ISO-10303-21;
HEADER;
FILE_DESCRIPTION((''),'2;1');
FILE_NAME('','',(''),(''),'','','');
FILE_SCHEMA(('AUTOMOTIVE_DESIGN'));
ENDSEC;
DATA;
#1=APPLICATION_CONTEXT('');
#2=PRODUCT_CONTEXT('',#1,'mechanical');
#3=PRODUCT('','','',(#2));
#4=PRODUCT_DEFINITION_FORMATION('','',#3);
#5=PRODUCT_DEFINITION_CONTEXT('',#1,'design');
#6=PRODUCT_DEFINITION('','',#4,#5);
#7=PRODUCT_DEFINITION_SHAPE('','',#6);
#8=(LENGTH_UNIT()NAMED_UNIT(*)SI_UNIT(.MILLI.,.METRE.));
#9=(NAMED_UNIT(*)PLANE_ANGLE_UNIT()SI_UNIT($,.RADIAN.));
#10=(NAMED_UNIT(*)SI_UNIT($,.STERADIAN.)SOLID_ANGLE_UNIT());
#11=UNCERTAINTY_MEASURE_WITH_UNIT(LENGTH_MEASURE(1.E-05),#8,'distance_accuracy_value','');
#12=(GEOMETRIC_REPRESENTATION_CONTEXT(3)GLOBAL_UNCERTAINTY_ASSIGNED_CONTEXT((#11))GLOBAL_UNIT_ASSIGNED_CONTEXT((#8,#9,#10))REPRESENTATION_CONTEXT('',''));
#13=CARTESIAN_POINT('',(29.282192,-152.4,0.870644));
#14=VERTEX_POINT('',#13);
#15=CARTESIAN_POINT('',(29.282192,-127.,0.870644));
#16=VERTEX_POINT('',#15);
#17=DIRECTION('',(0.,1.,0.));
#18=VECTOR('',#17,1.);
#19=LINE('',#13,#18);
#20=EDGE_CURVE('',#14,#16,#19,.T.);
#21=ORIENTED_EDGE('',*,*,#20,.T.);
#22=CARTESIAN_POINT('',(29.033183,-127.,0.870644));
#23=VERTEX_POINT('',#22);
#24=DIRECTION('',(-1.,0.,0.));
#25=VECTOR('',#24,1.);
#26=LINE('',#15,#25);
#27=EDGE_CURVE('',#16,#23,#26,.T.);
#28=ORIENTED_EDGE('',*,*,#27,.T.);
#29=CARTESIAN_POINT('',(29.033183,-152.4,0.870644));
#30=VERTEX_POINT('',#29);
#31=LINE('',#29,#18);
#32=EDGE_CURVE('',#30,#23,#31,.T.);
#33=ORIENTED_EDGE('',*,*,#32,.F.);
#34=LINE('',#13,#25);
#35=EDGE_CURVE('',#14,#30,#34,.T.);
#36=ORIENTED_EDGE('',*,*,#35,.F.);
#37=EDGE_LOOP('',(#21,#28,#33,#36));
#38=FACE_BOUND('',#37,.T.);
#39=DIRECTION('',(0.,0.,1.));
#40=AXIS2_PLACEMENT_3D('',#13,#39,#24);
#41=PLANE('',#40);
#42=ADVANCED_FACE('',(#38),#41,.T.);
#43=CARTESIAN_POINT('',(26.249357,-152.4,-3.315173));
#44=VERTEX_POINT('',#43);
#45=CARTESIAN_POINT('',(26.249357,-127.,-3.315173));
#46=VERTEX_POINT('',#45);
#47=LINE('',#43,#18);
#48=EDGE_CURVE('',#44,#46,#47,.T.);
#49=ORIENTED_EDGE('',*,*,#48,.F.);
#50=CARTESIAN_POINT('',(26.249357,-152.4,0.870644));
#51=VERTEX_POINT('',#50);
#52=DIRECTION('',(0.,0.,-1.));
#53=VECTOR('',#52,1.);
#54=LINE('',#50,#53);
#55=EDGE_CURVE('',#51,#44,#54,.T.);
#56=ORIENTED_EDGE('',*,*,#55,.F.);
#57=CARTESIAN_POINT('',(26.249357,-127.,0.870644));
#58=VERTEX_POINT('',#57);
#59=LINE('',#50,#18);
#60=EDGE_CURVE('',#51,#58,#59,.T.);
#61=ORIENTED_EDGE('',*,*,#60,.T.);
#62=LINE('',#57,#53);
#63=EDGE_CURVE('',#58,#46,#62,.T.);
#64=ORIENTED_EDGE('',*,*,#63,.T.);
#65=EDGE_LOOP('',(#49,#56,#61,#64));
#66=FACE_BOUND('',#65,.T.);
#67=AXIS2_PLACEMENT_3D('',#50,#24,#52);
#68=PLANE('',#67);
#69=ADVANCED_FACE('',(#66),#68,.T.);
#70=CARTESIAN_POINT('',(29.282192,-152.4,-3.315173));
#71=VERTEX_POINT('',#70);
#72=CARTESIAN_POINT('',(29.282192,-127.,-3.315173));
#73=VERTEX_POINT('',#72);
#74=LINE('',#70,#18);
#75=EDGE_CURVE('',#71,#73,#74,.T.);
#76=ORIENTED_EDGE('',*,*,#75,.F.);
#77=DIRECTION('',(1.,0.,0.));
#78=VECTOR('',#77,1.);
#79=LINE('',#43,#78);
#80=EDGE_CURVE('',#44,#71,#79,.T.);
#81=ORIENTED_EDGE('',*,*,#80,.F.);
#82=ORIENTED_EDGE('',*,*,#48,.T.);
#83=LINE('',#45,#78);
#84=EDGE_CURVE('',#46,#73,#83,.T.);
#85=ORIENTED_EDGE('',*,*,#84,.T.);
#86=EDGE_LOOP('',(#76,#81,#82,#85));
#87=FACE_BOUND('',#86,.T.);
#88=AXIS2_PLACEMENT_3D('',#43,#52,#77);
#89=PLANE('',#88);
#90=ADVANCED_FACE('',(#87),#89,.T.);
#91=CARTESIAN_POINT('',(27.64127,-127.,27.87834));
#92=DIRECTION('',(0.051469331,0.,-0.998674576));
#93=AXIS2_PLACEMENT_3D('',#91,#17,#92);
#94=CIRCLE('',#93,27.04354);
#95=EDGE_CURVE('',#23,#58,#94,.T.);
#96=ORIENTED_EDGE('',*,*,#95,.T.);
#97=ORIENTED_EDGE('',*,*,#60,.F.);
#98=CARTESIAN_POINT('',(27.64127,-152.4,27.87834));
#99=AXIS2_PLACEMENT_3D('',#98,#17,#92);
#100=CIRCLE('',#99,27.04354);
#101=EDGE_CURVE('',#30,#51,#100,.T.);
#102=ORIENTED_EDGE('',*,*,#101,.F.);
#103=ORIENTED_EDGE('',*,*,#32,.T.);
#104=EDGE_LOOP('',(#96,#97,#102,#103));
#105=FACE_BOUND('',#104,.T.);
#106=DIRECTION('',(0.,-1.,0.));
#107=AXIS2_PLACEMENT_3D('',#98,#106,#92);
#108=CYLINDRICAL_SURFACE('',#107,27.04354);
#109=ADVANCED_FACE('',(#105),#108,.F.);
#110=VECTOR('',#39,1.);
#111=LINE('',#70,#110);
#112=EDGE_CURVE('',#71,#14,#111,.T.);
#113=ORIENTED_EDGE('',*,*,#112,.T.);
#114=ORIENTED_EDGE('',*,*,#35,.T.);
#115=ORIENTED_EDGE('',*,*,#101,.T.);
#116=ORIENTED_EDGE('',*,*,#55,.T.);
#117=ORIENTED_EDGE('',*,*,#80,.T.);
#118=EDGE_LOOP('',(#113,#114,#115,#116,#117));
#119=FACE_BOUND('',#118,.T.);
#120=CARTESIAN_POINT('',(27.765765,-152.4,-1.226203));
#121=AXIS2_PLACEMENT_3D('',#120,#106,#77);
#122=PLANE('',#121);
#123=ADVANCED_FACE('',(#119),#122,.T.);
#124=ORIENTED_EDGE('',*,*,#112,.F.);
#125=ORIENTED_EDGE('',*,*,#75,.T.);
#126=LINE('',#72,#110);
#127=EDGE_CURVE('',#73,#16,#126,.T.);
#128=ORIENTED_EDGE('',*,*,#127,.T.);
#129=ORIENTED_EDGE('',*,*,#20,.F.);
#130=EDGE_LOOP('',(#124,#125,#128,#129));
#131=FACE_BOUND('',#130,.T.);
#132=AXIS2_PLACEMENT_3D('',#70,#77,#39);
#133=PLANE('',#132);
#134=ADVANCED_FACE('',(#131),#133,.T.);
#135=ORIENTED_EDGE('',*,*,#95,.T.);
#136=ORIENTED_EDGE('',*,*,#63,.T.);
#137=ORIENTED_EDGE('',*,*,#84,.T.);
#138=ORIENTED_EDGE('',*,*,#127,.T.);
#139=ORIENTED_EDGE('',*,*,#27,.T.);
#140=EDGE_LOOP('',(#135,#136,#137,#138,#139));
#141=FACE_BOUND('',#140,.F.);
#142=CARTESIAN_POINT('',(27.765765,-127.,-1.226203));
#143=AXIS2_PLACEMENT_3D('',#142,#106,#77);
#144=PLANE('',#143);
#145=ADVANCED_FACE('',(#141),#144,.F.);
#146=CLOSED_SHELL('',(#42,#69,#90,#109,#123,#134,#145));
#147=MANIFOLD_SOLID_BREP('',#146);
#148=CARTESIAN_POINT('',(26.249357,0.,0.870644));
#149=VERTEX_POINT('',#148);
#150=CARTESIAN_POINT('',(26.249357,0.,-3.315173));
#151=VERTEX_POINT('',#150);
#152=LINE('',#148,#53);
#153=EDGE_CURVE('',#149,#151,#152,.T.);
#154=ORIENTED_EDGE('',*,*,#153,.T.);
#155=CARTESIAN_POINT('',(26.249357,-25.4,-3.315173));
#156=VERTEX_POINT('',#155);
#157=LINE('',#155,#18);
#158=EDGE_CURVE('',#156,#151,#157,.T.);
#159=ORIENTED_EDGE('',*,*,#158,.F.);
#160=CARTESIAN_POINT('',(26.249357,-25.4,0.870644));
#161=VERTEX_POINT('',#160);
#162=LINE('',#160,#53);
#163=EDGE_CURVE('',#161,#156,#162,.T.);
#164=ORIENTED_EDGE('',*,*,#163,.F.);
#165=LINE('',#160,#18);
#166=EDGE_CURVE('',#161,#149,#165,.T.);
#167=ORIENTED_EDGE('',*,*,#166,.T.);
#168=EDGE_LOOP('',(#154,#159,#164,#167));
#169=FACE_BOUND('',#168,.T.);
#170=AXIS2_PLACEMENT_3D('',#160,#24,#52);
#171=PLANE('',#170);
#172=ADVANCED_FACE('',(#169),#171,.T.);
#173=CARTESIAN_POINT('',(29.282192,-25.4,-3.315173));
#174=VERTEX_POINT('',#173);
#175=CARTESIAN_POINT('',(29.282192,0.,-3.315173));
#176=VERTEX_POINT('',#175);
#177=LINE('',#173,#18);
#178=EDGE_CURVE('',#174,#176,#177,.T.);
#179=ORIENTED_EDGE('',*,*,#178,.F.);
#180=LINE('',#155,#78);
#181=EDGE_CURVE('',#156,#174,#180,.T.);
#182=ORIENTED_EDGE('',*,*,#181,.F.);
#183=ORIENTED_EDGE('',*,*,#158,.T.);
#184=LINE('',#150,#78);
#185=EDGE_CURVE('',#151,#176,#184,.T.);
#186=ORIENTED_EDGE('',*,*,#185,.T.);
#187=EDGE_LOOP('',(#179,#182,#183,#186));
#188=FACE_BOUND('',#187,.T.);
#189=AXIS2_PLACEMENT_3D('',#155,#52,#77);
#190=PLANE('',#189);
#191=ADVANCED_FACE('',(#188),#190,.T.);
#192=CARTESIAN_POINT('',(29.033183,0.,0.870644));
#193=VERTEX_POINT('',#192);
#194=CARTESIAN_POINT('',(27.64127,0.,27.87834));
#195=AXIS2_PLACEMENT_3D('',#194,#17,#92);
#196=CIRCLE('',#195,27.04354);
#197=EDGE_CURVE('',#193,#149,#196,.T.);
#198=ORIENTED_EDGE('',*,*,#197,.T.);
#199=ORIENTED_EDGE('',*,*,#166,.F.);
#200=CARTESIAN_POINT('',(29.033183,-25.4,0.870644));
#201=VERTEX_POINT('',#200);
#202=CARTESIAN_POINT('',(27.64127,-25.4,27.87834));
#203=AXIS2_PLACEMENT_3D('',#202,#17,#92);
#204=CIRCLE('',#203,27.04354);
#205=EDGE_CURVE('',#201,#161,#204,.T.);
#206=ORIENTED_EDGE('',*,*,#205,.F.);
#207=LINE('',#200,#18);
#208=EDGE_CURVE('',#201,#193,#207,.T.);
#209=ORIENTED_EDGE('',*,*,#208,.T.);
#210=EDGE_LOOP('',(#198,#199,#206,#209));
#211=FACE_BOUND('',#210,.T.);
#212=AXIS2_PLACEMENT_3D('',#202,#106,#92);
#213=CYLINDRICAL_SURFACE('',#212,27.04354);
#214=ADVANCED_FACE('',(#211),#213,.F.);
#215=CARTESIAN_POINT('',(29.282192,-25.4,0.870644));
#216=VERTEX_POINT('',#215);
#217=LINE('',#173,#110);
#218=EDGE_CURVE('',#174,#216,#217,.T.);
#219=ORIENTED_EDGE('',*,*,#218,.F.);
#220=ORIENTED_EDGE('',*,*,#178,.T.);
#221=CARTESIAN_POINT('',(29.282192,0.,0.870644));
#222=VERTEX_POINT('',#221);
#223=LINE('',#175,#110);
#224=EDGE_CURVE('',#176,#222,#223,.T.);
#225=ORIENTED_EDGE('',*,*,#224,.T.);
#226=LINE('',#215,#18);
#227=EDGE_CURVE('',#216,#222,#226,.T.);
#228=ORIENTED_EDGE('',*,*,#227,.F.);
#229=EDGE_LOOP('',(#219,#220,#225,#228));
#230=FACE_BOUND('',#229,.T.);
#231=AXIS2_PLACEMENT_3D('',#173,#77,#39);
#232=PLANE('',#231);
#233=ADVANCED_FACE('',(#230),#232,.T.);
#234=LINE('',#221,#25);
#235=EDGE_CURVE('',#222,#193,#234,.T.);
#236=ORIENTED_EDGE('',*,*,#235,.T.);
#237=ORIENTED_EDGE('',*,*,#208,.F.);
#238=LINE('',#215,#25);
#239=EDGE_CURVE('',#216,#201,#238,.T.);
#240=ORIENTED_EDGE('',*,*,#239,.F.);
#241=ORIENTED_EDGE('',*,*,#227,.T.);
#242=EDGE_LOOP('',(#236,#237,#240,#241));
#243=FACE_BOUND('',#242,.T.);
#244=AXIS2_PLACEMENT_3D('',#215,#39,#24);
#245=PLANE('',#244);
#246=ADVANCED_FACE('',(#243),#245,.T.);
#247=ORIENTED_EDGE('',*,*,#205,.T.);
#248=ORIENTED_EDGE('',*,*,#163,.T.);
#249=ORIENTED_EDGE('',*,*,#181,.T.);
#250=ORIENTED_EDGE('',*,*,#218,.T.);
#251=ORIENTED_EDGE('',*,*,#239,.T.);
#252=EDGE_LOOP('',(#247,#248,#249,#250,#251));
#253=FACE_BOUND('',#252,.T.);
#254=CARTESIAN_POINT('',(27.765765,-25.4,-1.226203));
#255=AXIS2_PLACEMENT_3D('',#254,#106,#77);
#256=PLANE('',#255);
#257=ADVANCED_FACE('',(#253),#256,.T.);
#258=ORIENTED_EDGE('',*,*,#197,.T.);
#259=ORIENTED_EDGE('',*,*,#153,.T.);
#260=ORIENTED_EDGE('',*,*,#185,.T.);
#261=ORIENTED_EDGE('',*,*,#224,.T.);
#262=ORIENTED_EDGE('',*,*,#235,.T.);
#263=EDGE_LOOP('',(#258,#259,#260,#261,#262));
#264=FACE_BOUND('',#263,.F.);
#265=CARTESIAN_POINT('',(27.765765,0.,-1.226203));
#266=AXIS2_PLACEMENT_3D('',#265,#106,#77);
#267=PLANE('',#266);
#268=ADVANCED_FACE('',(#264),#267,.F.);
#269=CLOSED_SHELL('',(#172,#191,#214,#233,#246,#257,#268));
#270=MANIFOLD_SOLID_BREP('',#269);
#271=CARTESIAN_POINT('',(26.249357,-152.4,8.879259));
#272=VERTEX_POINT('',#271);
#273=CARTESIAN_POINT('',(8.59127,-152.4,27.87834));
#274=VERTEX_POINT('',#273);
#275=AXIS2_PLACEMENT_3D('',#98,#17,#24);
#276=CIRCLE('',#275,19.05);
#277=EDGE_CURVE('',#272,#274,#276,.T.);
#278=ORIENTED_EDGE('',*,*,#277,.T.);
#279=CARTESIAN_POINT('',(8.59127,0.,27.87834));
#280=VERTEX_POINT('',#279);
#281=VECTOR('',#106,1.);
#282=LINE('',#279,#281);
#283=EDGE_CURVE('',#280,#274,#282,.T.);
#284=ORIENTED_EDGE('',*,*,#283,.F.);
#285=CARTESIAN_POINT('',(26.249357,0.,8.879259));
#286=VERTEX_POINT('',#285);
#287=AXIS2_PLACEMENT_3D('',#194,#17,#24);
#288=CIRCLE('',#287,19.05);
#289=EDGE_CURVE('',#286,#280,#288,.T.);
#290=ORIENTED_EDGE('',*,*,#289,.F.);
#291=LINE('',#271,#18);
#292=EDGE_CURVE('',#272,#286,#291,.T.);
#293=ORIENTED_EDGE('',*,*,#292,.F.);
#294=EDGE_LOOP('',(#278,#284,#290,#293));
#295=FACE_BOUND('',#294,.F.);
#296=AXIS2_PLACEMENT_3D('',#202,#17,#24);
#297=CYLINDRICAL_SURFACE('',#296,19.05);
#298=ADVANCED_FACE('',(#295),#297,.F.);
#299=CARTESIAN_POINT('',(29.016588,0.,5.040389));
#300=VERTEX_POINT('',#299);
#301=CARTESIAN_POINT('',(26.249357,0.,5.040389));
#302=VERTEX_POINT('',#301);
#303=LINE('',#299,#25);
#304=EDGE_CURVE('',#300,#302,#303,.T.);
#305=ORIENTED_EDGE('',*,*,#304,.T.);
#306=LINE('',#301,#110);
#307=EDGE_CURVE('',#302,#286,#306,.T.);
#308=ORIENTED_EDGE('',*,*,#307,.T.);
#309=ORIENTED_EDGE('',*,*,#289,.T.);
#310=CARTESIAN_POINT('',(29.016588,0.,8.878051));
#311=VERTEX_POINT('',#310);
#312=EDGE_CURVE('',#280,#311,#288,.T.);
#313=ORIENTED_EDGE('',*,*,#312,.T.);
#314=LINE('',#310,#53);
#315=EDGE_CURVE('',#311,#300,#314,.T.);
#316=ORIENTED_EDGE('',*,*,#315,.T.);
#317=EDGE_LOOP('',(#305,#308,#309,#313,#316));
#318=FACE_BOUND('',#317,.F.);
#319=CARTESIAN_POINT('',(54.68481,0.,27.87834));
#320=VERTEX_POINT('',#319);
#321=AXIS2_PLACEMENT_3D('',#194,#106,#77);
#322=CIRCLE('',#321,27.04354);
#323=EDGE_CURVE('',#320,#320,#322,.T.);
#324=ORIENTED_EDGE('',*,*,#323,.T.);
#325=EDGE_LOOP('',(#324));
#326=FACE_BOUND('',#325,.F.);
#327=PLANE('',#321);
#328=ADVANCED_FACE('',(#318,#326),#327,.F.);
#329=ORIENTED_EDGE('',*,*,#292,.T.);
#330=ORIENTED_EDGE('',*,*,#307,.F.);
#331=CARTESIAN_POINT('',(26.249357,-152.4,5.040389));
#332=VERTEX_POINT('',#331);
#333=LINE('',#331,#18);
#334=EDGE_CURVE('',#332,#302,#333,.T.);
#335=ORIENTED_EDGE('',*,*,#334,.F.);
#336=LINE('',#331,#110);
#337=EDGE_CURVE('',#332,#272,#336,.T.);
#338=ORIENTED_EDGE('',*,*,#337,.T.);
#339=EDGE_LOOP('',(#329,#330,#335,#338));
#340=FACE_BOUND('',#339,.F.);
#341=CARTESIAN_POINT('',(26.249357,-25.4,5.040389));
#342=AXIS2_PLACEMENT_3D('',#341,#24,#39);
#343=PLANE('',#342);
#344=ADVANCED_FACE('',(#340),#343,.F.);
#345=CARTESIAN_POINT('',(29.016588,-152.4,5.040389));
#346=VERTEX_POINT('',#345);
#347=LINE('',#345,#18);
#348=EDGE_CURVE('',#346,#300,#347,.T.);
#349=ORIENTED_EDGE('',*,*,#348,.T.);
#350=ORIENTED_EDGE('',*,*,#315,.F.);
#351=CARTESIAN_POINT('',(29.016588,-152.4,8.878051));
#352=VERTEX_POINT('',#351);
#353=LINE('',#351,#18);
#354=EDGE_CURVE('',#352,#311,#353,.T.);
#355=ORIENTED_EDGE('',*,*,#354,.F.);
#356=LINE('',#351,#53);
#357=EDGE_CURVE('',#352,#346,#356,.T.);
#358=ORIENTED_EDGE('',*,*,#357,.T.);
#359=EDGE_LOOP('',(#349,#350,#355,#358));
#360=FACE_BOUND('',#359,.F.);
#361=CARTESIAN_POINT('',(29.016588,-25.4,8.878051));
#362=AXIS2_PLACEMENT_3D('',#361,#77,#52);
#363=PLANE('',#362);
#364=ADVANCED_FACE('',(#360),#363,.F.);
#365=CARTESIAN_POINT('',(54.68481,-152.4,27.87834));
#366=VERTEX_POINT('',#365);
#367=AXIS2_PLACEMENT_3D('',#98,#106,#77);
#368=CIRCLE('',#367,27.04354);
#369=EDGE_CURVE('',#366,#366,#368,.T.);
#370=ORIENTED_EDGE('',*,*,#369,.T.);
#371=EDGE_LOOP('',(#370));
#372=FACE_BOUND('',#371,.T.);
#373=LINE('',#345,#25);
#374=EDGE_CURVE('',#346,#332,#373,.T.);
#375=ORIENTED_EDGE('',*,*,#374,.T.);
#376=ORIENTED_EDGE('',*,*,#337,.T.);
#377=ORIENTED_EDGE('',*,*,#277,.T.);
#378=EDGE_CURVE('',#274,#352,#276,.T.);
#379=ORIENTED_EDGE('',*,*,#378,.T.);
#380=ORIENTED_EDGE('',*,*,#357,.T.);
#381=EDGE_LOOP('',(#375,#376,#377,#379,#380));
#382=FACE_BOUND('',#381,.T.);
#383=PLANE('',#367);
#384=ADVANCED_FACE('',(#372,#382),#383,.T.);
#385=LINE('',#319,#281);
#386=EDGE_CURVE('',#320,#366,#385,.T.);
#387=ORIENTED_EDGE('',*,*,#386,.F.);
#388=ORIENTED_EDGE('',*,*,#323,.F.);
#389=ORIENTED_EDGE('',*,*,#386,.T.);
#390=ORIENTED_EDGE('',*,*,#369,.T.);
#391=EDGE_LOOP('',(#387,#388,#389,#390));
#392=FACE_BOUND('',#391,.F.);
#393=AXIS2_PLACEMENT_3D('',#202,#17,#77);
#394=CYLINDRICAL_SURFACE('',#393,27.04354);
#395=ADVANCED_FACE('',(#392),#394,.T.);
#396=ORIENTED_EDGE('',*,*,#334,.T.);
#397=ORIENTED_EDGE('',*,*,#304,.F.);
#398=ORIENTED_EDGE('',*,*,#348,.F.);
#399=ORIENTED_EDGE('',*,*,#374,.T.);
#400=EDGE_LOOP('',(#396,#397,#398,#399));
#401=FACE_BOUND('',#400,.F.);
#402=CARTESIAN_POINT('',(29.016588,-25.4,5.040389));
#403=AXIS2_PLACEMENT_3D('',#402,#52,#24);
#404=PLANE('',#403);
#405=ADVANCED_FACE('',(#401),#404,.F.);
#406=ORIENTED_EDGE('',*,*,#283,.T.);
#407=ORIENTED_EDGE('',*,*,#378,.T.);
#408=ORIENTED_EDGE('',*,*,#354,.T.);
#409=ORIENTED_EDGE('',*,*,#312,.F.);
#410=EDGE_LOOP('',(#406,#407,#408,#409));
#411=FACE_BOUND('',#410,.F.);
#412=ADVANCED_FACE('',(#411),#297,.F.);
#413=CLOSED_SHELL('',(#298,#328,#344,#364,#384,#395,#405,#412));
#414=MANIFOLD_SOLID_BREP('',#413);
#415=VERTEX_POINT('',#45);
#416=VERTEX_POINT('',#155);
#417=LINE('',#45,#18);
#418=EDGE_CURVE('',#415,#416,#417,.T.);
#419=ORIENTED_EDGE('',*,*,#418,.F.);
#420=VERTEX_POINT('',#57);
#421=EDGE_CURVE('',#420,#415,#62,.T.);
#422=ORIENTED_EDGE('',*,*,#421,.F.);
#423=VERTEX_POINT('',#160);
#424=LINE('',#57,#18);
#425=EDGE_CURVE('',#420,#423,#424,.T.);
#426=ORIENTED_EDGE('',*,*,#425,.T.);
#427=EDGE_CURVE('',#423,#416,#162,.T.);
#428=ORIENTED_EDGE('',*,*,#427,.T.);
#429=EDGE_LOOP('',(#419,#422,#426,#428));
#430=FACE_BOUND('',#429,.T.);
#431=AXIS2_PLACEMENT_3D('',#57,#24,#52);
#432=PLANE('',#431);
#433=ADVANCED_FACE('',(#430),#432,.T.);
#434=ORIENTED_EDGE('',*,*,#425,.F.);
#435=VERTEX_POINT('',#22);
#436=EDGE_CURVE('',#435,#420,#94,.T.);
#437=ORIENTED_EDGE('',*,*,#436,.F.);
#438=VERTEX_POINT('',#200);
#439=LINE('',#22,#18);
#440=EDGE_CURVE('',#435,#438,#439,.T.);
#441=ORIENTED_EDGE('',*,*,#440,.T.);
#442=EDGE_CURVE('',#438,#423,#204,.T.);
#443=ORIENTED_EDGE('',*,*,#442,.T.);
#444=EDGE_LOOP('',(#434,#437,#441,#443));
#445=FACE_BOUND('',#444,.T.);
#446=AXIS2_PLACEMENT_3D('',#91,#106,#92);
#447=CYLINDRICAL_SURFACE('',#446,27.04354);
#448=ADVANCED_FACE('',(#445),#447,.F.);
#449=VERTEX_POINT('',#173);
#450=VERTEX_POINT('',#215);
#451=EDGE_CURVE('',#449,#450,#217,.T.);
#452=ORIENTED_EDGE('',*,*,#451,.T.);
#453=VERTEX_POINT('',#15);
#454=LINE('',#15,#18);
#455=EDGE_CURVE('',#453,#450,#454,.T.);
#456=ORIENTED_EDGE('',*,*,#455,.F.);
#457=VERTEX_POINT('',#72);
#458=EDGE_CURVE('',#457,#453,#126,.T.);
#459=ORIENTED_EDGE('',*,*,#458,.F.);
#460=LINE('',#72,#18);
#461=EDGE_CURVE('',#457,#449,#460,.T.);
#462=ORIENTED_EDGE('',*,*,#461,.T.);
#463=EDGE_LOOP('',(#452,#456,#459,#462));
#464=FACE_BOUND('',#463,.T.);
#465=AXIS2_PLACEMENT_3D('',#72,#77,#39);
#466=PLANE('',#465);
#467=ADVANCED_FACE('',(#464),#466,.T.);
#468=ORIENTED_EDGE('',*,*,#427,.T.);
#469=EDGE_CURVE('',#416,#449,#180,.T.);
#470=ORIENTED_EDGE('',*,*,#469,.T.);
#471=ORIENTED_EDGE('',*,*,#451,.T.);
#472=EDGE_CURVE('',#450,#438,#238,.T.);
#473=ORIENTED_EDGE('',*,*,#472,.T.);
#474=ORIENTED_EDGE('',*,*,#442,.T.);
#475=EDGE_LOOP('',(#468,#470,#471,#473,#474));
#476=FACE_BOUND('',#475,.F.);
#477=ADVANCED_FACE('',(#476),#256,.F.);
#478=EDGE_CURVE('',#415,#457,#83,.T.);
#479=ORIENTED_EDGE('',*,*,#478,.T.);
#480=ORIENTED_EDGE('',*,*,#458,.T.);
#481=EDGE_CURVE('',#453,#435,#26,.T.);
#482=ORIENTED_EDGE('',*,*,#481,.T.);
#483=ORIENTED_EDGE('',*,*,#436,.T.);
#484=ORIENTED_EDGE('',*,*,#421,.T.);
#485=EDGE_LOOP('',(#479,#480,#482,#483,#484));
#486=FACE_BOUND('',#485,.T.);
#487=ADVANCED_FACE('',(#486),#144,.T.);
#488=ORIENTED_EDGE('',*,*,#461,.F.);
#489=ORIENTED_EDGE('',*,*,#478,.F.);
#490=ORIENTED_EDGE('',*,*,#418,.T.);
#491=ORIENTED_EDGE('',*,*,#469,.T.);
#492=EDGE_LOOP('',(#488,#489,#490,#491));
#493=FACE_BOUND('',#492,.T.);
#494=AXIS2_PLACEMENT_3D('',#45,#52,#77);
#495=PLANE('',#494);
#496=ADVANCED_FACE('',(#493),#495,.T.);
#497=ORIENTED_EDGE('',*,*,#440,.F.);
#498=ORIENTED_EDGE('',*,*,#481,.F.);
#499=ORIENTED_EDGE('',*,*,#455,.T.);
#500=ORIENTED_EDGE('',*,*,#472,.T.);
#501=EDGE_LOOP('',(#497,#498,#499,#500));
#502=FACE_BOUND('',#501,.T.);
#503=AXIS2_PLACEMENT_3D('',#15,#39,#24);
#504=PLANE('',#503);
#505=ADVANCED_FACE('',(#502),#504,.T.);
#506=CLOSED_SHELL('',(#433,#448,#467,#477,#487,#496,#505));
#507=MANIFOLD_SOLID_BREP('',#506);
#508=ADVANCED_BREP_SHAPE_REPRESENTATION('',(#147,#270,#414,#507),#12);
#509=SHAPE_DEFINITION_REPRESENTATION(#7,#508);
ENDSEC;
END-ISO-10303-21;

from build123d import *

# Parameters (mm, degrees)
F0_R      = 27.0435400324
F1_DEPTH  = 25.4
F3_D      = 38.1
F5_DEPTH  = 25.4
F6_DEPTH  = 127
F8_DEPTH  = 25.4
F9_DEPTH  = 101.6
F10_DEPTH = 25.4


with BuildPart() as f1:
    # F0 (on Front) → F1 (new body)
    with BuildSketch(Plane.XZ):
        with Locations((27.6412703097, 27.8783403337)):
            Circle(F0_R)
    extrude(amount=F1_DEPTH)

    # F3 (through all)
    with Locations(Plane.XZ.offset(25.4)):
        with Locations((27.6412703097, 27.8783403337)):
            Hole(F3_D / 2)

    # F4 (on face) → F5 (cut)
    with BuildSketch(Plane(origin=(0, 0, 0), x_dir=(-1, 0, 0), z_dir=(0, 1, 0))):
        with BuildLine():
            Line((-26.2493573993, 5.0403885543), (-26.2493573993, 8.8792593441))
            ThreePointArc((-26.2493573993, 8.8792593441), (-27.6329506683, 8.8283421504), (-29.0165878832, 8.8780508209))
            Line((-29.0165878832, 8.8780508209), (-29.0165878832, 5.0403885543))
            Line((-29.0165878832, 5.0403885543), (-26.2493573993, 5.0403885543))
        make_face()
    extrude(amount=-F5_DEPTH, mode=Mode.SUBTRACT)

    # F6 (add): a face of the model
    f6_faces = [f1.faces().sort_by_distance(p)[0] for p in [
        (1.362637099, -25.4, 27.8783403337),
    ]]
    extrude(f6_faces, amount=F6_DEPTH)


with BuildPart() as f8:
    # F7 (on face) → F8 (new body)
    with BuildSketch(Plane.XZ.offset(152.4)):
        with BuildLine():
            ThreePointArc((29.0331832201, 0.8706444687), (27.6412703097, 0.8348003013), (26.2493573993, 0.8706444687))
            Line((26.2493573993, 0.8706444687), (26.2493573993, -3.3151728567))
            Line((26.2493573993, -3.3151728567), (29.2821917683, -3.3151728567))
            Line((29.2821917683, -3.3151728567), (29.2821917683, 0.8706444687))
            Line((29.2821917683, 0.8706444687), (29.0331832201, 0.8706444687))
        make_face()
    extrude(amount=-F8_DEPTH)


with BuildPart() as f9:
    # F9 (new): a face of the model
    f9_faces = [f8.part.faces().sort_by_distance(p)[0] for p in [
        (27.766430524, -127, -1.2332149639),
    ]]
    extrude(f9_faces, amount=F9_DEPTH)


with BuildPart() as f10:
    # F10 (new): a face of the model
    f10_faces = [f9.part.faces().sort_by_distance(p)[0] for p in [
        (27.766430524, -25.4, -1.2332149639),
    ]]
    extrude(f10_faces, amount=F10_DEPTH)


solid = Compound([f1.part, f8.part, f9.part, f10.part])
